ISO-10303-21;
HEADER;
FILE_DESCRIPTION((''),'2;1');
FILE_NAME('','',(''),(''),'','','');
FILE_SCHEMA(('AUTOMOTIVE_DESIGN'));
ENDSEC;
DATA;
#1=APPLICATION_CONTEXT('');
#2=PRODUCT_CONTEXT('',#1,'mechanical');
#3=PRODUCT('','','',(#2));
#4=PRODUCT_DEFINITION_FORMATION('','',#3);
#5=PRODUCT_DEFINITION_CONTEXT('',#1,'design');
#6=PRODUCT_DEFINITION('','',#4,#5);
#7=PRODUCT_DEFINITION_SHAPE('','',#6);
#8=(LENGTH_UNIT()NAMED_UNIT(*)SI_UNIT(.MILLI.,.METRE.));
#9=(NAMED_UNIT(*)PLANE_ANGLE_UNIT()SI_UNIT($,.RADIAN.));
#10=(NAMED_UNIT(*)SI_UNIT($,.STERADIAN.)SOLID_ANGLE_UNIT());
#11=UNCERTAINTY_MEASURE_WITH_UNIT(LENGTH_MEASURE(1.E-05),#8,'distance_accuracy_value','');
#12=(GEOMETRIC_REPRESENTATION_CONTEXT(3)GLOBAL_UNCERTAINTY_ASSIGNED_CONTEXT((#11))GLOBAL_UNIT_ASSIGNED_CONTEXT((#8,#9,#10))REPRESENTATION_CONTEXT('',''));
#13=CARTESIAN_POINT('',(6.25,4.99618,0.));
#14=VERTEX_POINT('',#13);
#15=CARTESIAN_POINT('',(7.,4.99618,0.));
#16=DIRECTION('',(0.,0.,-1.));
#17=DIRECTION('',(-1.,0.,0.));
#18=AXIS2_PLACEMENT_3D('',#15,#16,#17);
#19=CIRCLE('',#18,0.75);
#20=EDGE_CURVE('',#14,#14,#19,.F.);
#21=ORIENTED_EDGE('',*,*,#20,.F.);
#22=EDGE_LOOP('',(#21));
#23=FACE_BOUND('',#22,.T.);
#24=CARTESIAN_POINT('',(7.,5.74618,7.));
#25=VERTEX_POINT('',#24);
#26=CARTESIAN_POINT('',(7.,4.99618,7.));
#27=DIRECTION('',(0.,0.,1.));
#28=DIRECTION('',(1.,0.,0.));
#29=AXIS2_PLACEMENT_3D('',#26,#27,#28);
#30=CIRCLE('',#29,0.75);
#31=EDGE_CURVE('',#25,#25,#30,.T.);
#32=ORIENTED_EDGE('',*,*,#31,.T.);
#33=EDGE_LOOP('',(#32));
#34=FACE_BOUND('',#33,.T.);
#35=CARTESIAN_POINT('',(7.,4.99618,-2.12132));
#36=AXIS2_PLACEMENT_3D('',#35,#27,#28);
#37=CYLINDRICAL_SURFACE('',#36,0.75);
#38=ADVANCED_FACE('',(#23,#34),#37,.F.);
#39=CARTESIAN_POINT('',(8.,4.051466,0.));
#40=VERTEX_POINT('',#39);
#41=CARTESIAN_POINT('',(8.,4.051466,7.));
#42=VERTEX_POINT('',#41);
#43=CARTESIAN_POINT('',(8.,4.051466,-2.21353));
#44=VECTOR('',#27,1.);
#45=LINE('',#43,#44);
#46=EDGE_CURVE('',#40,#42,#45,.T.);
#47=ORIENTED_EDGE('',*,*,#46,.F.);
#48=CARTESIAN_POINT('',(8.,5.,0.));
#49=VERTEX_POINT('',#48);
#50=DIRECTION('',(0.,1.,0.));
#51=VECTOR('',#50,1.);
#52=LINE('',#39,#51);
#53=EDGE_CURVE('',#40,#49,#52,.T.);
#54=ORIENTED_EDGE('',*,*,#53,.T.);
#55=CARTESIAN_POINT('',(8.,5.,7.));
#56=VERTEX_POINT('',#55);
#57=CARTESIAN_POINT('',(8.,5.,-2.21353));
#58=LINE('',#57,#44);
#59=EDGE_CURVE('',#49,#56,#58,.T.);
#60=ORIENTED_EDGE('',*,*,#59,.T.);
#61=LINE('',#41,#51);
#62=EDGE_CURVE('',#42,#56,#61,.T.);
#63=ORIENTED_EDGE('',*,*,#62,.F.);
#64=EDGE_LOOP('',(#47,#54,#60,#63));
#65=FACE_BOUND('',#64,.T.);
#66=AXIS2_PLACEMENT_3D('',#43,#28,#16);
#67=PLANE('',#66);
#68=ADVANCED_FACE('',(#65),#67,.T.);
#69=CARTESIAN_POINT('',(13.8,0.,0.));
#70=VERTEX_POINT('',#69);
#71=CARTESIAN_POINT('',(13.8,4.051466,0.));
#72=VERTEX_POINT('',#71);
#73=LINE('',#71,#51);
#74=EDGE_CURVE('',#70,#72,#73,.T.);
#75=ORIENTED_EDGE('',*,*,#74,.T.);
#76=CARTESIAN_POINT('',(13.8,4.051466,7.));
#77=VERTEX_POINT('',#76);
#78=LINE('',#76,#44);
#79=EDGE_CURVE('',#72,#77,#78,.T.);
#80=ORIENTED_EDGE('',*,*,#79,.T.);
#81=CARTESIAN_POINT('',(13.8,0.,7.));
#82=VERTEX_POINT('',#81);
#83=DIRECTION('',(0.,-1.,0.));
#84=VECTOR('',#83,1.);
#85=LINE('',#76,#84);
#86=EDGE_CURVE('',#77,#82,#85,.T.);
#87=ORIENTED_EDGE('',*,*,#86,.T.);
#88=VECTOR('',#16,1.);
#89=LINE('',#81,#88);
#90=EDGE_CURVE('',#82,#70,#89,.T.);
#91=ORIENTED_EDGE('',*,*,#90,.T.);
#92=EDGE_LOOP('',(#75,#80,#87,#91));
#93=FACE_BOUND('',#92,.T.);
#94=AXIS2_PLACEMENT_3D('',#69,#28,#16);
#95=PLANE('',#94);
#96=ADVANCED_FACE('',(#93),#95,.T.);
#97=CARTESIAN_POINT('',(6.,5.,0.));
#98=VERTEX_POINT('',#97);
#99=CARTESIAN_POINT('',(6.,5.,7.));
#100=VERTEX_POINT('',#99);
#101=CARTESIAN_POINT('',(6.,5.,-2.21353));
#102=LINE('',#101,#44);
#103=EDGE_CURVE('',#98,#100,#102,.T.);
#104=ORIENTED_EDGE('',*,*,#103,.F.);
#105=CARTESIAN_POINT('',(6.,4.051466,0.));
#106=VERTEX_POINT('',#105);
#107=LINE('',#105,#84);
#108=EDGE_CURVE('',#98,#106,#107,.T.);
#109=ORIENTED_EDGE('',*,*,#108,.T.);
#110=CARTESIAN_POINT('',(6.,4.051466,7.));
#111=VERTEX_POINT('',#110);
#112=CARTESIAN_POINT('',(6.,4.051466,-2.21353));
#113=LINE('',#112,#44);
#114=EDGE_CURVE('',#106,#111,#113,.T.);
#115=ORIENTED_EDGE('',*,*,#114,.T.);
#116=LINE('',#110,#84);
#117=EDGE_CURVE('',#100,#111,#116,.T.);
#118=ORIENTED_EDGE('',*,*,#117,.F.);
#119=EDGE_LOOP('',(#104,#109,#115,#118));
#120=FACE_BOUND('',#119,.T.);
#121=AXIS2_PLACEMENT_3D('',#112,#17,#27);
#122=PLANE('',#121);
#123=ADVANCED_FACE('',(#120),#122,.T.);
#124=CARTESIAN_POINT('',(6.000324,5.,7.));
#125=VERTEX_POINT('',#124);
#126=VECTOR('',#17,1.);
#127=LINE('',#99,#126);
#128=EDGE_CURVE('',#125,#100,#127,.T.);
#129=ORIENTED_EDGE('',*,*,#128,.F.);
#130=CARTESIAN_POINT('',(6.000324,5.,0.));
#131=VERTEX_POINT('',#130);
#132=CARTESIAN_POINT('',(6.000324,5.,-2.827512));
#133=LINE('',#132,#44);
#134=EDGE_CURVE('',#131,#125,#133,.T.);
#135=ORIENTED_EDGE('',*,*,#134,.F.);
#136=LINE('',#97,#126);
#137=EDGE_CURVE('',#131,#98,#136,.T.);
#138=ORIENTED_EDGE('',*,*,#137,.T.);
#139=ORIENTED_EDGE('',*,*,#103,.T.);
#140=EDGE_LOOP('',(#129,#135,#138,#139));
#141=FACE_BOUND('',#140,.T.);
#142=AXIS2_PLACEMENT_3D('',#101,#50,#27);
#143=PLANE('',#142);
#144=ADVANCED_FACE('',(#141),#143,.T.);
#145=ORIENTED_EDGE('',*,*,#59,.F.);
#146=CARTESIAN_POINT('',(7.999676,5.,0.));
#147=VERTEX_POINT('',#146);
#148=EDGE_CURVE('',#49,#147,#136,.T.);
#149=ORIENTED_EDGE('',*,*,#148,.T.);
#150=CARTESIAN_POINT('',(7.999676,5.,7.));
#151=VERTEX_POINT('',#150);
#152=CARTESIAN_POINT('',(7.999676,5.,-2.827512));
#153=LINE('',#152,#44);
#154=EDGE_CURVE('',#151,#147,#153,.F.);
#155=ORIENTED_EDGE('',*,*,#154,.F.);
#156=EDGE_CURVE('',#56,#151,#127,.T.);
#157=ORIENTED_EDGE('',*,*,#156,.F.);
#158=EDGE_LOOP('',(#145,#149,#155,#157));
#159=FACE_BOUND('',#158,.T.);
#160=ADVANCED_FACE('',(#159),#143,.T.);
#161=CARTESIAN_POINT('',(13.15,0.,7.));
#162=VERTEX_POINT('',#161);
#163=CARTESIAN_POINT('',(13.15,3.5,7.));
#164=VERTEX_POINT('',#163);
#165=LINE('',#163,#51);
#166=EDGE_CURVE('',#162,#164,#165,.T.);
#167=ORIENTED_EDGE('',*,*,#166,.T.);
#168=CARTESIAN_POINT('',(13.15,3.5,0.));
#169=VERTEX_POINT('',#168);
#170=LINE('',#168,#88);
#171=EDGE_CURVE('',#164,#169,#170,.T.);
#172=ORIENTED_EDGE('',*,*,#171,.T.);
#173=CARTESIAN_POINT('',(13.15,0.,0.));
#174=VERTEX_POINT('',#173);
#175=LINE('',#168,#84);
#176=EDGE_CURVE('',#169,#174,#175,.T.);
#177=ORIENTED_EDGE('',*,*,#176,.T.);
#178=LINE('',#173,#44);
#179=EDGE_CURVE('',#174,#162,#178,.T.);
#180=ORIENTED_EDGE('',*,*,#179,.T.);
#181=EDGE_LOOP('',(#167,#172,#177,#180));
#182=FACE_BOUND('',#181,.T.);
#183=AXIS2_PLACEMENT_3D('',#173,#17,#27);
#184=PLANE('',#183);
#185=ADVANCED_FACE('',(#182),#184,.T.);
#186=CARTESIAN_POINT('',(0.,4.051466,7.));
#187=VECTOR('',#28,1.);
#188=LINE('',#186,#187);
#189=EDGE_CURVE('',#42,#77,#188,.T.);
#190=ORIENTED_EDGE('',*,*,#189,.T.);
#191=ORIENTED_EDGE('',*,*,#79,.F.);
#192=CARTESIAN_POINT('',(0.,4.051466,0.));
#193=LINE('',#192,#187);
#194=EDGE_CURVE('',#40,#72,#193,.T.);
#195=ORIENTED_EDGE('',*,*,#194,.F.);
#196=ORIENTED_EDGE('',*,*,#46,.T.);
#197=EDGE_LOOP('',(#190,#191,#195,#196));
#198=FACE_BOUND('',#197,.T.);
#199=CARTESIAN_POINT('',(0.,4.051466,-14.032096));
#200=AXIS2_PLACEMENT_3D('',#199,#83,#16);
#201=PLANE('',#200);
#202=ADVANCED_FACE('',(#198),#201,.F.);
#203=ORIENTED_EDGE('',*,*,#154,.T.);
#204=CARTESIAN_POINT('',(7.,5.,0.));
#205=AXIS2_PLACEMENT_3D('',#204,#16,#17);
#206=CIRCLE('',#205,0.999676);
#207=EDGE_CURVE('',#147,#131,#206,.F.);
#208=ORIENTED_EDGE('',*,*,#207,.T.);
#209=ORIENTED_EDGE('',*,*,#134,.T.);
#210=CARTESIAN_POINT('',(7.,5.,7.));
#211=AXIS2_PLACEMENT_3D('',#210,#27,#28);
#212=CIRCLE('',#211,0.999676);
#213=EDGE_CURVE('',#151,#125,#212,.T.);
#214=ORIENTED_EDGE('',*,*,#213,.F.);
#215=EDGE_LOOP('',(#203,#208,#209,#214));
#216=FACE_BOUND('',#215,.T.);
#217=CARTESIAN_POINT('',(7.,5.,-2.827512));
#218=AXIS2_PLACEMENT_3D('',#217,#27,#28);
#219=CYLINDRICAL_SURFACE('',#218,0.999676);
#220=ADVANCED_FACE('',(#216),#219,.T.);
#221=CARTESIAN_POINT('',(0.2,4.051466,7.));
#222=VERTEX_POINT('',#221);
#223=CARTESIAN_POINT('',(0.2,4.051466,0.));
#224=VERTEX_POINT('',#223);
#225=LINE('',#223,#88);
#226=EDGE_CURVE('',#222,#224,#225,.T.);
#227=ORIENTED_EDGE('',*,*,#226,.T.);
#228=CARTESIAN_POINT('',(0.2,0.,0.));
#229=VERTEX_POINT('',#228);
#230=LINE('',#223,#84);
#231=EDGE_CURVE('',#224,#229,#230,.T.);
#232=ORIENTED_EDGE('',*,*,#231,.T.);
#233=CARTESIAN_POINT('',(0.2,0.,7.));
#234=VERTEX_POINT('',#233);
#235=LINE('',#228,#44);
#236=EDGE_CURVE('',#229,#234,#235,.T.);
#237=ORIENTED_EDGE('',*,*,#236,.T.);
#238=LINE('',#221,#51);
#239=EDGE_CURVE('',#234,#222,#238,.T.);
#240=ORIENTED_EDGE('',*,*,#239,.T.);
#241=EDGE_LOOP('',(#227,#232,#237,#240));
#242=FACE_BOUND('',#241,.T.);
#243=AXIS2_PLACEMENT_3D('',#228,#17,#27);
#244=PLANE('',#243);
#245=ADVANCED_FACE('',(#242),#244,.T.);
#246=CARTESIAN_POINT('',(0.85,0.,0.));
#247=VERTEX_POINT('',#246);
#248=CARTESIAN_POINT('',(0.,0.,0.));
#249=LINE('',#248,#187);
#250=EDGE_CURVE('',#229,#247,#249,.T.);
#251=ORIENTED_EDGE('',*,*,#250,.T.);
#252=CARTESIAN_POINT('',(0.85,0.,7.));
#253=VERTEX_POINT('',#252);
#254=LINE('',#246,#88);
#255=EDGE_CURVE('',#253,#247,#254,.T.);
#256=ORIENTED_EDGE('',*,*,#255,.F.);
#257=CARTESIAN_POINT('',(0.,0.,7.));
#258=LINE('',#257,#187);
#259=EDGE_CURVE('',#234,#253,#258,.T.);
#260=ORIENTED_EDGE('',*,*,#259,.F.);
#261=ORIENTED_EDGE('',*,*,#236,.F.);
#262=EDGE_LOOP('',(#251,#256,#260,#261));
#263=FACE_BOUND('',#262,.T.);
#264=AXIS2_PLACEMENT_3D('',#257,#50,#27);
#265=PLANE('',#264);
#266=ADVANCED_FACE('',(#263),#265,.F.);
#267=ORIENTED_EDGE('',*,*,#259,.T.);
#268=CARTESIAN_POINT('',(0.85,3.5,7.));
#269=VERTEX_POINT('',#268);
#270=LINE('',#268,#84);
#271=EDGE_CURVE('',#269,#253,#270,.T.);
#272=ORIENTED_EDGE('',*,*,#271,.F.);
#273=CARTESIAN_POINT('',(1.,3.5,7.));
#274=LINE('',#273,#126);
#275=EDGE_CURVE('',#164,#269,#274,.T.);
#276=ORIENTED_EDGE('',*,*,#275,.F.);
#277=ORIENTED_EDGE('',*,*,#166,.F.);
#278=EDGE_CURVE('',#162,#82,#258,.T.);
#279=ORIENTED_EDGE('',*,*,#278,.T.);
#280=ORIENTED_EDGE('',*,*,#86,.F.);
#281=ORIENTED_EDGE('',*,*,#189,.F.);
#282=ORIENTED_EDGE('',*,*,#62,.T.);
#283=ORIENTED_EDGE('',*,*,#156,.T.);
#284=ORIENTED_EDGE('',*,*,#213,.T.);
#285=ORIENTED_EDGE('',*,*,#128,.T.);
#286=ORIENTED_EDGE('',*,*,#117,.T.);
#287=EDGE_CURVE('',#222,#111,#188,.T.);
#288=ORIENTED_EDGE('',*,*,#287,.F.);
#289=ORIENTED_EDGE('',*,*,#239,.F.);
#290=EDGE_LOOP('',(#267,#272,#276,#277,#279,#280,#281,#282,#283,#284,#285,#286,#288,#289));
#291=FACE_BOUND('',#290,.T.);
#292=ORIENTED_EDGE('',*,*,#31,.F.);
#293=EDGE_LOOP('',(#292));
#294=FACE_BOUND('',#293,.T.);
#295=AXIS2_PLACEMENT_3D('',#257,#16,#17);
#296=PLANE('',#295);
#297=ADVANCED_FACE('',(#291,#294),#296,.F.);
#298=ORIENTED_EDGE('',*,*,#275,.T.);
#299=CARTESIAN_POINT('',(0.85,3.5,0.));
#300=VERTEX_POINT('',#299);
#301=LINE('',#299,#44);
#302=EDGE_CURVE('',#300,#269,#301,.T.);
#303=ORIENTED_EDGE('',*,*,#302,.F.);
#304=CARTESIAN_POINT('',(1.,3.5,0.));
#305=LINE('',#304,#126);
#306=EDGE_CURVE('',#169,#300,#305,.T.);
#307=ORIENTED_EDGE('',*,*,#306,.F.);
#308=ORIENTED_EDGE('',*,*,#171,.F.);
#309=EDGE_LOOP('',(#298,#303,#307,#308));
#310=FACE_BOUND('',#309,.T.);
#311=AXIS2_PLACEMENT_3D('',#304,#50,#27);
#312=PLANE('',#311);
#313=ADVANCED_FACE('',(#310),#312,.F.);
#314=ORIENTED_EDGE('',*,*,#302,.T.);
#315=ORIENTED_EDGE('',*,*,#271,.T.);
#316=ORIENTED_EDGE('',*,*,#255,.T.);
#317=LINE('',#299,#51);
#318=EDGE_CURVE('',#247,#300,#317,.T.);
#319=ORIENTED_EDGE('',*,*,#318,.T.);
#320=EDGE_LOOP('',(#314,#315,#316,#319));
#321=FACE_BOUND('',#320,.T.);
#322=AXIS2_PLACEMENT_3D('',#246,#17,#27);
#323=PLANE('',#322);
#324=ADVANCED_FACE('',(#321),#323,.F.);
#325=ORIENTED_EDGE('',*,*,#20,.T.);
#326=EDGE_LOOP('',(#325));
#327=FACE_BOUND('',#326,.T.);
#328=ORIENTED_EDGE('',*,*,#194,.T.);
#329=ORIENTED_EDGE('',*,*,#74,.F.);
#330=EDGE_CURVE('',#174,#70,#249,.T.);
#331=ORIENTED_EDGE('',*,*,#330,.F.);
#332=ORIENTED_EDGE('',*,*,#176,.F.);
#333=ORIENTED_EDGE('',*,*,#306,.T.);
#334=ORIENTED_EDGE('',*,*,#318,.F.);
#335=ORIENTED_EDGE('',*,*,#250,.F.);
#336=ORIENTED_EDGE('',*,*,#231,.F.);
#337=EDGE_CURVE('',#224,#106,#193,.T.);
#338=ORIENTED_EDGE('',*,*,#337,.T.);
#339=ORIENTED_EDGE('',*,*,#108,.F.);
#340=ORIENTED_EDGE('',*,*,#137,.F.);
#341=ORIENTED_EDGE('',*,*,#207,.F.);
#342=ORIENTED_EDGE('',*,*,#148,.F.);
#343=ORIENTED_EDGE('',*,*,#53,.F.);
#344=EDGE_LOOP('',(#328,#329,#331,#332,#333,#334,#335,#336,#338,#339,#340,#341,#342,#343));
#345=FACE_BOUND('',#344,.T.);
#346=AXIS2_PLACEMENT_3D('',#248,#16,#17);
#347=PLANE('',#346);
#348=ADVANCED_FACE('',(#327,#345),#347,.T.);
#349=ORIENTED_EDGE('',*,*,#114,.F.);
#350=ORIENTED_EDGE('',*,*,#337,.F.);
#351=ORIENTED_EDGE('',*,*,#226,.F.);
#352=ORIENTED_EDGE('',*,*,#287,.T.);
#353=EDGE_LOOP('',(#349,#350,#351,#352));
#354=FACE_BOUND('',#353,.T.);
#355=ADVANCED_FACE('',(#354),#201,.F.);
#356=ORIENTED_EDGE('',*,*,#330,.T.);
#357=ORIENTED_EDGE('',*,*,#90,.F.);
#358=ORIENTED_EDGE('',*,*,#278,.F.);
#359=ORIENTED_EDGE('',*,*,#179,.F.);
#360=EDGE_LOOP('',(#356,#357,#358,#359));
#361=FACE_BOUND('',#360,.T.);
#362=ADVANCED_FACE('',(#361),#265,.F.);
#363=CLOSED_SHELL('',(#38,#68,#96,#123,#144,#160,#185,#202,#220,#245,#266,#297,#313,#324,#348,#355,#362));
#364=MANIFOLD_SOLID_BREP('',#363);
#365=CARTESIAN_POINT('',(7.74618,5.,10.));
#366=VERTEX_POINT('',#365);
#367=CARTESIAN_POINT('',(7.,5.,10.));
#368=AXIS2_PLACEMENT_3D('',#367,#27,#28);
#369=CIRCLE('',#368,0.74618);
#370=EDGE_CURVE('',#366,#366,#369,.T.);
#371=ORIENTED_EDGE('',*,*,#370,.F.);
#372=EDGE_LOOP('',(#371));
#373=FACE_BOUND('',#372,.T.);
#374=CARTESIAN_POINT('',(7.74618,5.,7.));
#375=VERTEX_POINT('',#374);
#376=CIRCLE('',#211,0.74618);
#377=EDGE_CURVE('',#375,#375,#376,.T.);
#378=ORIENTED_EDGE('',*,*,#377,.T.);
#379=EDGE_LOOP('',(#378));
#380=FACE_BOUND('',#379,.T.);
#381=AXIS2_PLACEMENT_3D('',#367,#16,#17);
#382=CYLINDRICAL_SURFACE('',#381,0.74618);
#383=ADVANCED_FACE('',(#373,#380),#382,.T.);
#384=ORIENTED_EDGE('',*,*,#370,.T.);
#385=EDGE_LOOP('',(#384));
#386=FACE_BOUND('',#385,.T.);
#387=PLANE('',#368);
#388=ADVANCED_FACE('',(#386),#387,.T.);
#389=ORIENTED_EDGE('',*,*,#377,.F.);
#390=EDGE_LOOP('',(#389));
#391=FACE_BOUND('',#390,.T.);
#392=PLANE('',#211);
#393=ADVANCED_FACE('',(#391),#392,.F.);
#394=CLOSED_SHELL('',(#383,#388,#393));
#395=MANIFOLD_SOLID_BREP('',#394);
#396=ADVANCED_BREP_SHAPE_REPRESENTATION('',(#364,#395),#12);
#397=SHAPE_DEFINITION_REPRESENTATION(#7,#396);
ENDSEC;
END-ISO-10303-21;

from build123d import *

# Parameters (mm, degrees)
SKETCH1_W            = 14
SKETCH1_H            = 5
BOSS_EXTRUDE1_DEPTH  = 7
SKETCH7_W            = 12
SKETCH7_H            = 3.5
CUT_EXTRUDE1_DEPTH   = 17.431676725
SKETCH8_W            = 14
SKETCH8_H            = 0.948534091
CUT_EXTRUDE2_DEPTH   = 7
SKETCH20_W           = 2
SKETCH20_H           = 0.948534091
BOSS_EXTRUDE9_DEPTH  = 7
SKETCH21_R           = 0.999676317
BOSS_EXTRUDE10_DEPTH = 7
SKETCH22_R           = 0.75
CUT_EXTRUDE3_DEPTH   = 7
SKETCH23_W           = 7
SKETCH23_H           = 4.051465909
CUT_EXTRUDE4_DEPTH   = 0.4
SKETCH24_W           = 7
SKETCH24_H           = 4.051465909
CUT_EXTRUDE5_DEPTH   = 0.4
SKETCH25_W           = 7
SKETCH25_H           = 4.051465909
BOSS_EXTRUDE13_DEPTH = 0.2
SKETCH26_W           = 7
SKETCH26_H           = 4.051465909
BOSS_EXTRUDE14_DEPTH = 0.2
SKETCH29_W           = 7
SKETCH29_H           = 3.5
CUT_EXTRUDE8_DEPTH   = 0.15
SKETCH30_W           = 7
SKETCH30_H           = 3.5
CUT_EXTRUDE9_DEPTH   = 0.15
SKETCH31_R           = 0.746179914
BOSS_EXTRUDE15_DEPTH = 3


with BuildPart() as part:
    # Sketch1 → Boss-Extrude1 (new body)
    with BuildSketch(Plane.XY):
        with Locations((7, 2.5)):
            Rectangle(SKETCH1_W, SKETCH1_H)
    extrude(amount=BOSS_EXTRUDE1_DEPTH)

    # Sketch7 → Cut-Extrude1 (cut, through all)
    with BuildSketch(Plane.XY.offset(7)):
        with Locations((7, 1.75)):
            Rectangle(SKETCH7_W, SKETCH7_H)
    extrude(amount=-CUT_EXTRUDE1_DEPTH, mode=Mode.SUBTRACT)

    # Sketch8 → Cut-Extrude2 (cut)
    with BuildSketch(Plane.XY.offset(7)):
        with Locations((7, 4.525732955)):
            Rectangle(SKETCH8_W, SKETCH8_H)
    extrude(amount=-CUT_EXTRUDE2_DEPTH, mode=Mode.SUBTRACT)

    # Sketch20 → Boss-Extrude9 (add)
    with BuildSketch(Plane.XY.offset(7)):
        with Locations((7, 4.525732955)):
            Rectangle(SKETCH20_W, SKETCH20_H)
    extrude(amount=-BOSS_EXTRUDE9_DEPTH)

    # Sketch21 → Boss-Extrude10 (add)
    with BuildSketch(Plane.XY.offset(7)):
        with Locations((7, 5)):
            Circle(SKETCH21_R)
    extrude(amount=-BOSS_EXTRUDE10_DEPTH)

    # Sketch22 → Cut-Extrude3 (cut)
    with BuildSketch(Plane.XY.offset(7)):
        with Locations((7, 4.996179914)):
            Circle(SKETCH22_R)
    extrude(amount=-CUT_EXTRUDE3_DEPTH, mode=Mode.SUBTRACT)

    # Sketch23 → Cut-Extrude4 (cut)
    with BuildSketch(Plane.ZY):
        with Locations((3.5, 2.025732955)):
            Rectangle(SKETCH23_W, SKETCH23_H)
    extrude(amount=-CUT_EXTRUDE4_DEPTH, mode=Mode.SUBTRACT)

    # Sketch24 → Cut-Extrude5 (cut)
    with BuildSketch(Plane(origin=(14, 0, 0), x_dir=(0, 0, -1), z_dir=(1, 0, 0))):
        with Locations((-3.5, 2.025732955)):
            Rectangle(SKETCH24_W, SKETCH24_H)
    extrude(amount=-CUT_EXTRUDE5_DEPTH, mode=Mode.SUBTRACT)

    # Sketch25 → Boss-Extrude13 (add)
    with BuildSketch(Plane.ZY.offset(-0.4)):
        with Locations((3.5, 2.025732955)):
            Rectangle(SKETCH25_W, SKETCH25_H)
    extrude(amount=BOSS_EXTRUDE13_DEPTH)

    # Sketch26 → Boss-Extrude14 (add)
    with BuildSketch(Plane(origin=(13.6, 0, 0), x_dir=(0, 0, -1), z_dir=(1, 0, 0))):
        with Locations((-3.5, 2.025732955)):
            Rectangle(SKETCH26_W, SKETCH26_H)
    extrude(amount=BOSS_EXTRUDE14_DEPTH)

    # Sketch29 → Cut-Extrude8 (cut)
    with BuildSketch(Plane(origin=(1, 0, 0), x_dir=(0, 0, -1), z_dir=(1, 0, 0))):
        with Locations((-3.5, 1.75)):
            Rectangle(SKETCH29_W, SKETCH29_H)
    extrude(amount=-CUT_EXTRUDE8_DEPTH, mode=Mode.SUBTRACT)

    # Sketch30 → Cut-Extrude9 (cut)
    with BuildSketch(Plane.ZY.offset(-13)):
        with Locations((3.5, 1.75)):
            Rectangle(SKETCH30_W, SKETCH30_H)
    extrude(amount=-CUT_EXTRUDE9_DEPTH, mode=Mode.SUBTRACT)


with BuildPart() as body_2:
    # Sketch31 → Boss-Extrude15 (new body)
    with BuildSketch(Plane.XY.offset(7)):
        with Locations((7, 5)):
            Circle(SKETCH31_R)
    extrude(amount=BOSS_EXTRUDE15_DEPTH)


solid = Compound([part.part, body_2.part])
